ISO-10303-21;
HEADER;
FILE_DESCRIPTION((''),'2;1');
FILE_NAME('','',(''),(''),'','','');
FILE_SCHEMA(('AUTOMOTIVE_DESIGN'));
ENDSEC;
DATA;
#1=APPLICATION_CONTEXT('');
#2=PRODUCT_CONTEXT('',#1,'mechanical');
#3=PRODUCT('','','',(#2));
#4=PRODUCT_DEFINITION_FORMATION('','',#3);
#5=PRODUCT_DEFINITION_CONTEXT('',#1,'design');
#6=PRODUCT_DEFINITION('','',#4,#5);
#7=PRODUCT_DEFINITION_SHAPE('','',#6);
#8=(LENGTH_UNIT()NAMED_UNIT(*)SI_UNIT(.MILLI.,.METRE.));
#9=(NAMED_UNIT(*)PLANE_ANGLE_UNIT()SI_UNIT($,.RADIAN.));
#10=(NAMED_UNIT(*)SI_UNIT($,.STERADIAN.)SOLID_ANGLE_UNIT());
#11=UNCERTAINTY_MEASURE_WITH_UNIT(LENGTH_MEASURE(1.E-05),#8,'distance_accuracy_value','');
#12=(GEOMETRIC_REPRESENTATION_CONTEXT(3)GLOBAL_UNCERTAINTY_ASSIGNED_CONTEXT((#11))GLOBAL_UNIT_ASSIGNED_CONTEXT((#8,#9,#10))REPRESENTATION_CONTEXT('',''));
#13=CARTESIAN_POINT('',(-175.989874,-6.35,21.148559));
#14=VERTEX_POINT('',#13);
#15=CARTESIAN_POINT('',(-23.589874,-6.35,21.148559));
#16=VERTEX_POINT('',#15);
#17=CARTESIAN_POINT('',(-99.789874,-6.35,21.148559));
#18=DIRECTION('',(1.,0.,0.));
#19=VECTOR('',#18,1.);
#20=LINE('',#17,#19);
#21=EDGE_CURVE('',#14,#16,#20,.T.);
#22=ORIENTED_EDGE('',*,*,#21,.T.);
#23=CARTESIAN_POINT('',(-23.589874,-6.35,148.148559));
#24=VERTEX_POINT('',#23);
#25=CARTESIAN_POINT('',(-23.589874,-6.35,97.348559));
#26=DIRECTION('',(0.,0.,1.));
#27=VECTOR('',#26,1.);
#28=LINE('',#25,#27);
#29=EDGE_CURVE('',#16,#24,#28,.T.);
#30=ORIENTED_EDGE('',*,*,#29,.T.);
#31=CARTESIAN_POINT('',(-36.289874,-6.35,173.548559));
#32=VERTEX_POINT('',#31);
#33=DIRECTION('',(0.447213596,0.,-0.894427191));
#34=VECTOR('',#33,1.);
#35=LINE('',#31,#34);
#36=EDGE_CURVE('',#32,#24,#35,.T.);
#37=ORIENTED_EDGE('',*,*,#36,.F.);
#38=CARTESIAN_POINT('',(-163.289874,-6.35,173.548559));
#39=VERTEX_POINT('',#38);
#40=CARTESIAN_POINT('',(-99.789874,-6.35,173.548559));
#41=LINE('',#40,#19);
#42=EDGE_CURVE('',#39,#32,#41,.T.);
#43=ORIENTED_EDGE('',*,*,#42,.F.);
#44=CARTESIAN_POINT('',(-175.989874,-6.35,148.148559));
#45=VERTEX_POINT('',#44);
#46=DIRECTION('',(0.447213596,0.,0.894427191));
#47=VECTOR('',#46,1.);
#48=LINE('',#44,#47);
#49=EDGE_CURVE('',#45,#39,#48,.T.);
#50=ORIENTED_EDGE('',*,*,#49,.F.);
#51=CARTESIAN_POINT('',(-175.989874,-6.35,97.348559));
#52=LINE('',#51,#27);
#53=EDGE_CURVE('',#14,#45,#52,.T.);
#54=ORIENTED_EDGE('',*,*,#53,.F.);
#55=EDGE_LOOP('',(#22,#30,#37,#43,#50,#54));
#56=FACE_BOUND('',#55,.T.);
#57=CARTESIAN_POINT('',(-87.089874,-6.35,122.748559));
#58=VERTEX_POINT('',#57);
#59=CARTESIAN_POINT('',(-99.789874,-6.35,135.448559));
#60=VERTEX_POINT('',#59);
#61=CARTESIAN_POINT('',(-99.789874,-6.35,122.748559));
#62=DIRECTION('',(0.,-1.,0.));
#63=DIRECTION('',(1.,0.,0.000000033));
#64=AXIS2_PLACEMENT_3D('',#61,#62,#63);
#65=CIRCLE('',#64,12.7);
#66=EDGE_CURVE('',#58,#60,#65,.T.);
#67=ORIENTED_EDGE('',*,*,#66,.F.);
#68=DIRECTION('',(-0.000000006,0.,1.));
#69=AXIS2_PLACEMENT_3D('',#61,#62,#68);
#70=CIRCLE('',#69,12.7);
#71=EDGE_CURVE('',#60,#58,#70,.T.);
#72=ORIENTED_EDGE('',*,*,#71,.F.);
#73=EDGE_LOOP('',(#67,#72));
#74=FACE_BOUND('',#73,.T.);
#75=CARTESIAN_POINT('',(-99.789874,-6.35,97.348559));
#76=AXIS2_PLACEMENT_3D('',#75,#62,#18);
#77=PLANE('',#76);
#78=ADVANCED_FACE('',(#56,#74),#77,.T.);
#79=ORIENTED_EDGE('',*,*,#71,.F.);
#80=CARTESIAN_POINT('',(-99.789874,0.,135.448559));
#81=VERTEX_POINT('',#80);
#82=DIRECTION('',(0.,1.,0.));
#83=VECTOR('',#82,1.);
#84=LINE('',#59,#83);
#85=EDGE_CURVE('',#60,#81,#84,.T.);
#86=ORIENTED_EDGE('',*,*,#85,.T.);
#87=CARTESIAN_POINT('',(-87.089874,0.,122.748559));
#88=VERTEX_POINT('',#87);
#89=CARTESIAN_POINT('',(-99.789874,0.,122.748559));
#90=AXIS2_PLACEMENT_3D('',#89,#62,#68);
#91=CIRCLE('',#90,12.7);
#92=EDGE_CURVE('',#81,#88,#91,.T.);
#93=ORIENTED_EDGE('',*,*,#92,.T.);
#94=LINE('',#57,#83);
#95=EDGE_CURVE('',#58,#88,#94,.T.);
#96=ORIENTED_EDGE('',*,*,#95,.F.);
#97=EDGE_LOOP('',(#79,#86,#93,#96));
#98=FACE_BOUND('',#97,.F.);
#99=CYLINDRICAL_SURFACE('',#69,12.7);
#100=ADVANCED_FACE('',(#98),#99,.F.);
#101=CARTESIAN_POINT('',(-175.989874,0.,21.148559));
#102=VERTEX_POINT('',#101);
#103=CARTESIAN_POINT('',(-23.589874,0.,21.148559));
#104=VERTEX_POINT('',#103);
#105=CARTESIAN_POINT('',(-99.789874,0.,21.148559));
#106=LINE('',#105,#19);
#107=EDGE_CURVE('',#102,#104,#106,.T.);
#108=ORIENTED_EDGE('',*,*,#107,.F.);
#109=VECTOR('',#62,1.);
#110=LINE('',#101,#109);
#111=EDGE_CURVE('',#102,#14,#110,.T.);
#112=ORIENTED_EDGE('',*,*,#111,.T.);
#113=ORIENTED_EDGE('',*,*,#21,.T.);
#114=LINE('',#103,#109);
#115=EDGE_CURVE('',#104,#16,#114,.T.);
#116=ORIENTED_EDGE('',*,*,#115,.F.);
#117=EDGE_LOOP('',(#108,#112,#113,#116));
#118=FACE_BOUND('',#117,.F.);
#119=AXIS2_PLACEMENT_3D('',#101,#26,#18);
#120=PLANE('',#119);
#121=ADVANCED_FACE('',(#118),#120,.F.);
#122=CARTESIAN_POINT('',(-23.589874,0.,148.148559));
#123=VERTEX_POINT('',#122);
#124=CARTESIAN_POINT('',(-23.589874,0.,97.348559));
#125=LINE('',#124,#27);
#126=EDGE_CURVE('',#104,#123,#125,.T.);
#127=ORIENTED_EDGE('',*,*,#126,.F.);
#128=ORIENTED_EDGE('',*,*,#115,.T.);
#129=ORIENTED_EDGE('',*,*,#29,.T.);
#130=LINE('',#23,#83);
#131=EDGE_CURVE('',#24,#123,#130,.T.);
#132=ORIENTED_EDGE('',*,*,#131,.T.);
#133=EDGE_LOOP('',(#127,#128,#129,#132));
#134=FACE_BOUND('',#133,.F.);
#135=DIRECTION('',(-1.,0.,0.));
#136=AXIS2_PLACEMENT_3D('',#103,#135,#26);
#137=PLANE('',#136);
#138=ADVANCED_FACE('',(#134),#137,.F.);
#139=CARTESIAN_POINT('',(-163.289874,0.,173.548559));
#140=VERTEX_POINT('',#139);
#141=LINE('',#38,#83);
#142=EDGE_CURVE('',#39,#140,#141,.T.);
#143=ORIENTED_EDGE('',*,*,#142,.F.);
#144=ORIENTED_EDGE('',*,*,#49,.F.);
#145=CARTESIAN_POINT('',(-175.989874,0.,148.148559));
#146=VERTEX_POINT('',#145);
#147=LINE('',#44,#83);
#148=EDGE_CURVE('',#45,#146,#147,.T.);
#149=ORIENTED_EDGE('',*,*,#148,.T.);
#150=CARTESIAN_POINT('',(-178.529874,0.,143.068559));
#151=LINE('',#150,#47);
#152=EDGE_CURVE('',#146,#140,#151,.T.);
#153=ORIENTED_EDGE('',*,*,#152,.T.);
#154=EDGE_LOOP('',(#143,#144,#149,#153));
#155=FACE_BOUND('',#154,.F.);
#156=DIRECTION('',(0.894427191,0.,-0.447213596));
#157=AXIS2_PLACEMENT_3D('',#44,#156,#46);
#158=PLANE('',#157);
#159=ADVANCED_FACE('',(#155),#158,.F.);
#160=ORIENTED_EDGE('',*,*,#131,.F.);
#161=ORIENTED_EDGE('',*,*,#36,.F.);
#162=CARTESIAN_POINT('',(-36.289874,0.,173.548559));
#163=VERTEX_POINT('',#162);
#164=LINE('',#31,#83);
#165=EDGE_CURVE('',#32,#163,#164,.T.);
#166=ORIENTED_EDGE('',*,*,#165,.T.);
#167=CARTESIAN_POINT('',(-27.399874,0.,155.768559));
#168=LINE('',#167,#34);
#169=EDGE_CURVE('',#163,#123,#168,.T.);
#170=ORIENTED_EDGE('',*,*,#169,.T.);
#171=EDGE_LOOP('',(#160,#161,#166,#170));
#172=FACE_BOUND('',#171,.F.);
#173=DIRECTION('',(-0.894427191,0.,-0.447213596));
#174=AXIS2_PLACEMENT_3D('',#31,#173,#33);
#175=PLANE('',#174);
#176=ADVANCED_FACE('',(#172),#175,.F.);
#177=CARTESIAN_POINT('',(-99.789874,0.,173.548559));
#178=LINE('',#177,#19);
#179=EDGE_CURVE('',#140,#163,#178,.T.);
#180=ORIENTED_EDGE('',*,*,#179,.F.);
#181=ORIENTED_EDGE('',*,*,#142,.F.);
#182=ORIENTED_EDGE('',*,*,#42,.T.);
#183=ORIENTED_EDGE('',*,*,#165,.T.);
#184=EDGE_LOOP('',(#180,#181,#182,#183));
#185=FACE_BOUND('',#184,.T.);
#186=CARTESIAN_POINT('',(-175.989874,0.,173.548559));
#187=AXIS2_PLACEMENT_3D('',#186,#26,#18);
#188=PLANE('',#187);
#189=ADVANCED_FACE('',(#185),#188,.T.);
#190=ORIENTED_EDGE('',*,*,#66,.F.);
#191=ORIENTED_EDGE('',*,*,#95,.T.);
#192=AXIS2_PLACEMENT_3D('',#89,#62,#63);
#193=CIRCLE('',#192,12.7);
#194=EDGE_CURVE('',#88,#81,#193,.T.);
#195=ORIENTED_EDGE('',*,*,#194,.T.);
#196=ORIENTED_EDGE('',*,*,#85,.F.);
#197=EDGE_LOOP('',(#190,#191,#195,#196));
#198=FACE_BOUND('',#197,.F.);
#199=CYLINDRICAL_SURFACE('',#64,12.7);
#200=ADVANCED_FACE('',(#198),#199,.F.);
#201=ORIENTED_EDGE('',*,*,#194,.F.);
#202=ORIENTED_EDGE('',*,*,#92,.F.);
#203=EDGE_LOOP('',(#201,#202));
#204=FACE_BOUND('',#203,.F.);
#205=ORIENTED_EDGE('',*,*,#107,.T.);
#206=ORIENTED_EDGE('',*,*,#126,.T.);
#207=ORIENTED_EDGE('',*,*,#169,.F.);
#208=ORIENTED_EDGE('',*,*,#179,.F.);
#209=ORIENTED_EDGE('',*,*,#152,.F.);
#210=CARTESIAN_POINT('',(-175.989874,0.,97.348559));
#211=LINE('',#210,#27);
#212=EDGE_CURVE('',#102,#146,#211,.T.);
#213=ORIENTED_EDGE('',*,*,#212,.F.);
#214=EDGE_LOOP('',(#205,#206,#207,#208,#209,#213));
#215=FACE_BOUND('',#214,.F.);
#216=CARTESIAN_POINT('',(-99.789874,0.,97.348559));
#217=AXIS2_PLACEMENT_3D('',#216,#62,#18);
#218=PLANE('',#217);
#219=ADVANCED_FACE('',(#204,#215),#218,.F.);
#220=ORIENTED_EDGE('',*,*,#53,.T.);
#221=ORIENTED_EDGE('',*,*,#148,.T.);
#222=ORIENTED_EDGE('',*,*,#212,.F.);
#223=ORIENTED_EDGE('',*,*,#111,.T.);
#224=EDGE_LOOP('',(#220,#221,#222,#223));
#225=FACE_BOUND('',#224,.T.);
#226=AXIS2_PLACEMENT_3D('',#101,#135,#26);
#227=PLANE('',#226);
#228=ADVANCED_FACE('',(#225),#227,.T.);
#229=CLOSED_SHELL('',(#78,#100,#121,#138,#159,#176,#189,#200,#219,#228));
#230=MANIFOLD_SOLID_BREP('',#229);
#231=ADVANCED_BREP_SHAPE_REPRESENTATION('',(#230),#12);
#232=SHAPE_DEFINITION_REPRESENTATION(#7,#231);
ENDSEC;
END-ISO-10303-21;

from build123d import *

# Parameters (mm, degrees)
F0_W     = 152.4
F0_H     = 152.4
F1_DEPTH = 6.35
F3_DEPTH = 25.4
F5_DEPTH = 25.4


with BuildPart() as f1:
    # F0 (on Front) → F1 (new body)
    with BuildSketch(Plane.XZ):
        with Locations((-99.789874, 97.348559)):
            Rectangle(F0_W, F0_H)
    extrude(amount=F1_DEPTH)

    # F2 (on face) → F3 (cut)
    with BuildSketch(Plane.XZ.offset(6.35)):
        Polygon((-163.289874, 173.548559), (-175.989874, 173.548559), (-175.989874, 148.148559), align=None)
        Polygon((-23.589874, 173.548559), (-36.289874, 173.548559), (-23.589874, 148.148559), align=None)
    extrude(amount=-F3_DEPTH, mode=Mode.SUBTRACT)

    # F4 (on face) → F5 (cut)
    with BuildSketch(Plane.XZ.offset(6.35)):
        with BuildLine():
            ThreePointArc((-87.089874, 122.748559), (-90.809618, 131.728815), (-99.789874, 135.448559))
            ThreePointArc((-99.789874, 135.448559), (-108.77013, 113.768303), (-87.089874, 122.748559))
        make_face()
    extrude(amount=-F5_DEPTH, mode=Mode.SUBTRACT)


solid = f1.part
